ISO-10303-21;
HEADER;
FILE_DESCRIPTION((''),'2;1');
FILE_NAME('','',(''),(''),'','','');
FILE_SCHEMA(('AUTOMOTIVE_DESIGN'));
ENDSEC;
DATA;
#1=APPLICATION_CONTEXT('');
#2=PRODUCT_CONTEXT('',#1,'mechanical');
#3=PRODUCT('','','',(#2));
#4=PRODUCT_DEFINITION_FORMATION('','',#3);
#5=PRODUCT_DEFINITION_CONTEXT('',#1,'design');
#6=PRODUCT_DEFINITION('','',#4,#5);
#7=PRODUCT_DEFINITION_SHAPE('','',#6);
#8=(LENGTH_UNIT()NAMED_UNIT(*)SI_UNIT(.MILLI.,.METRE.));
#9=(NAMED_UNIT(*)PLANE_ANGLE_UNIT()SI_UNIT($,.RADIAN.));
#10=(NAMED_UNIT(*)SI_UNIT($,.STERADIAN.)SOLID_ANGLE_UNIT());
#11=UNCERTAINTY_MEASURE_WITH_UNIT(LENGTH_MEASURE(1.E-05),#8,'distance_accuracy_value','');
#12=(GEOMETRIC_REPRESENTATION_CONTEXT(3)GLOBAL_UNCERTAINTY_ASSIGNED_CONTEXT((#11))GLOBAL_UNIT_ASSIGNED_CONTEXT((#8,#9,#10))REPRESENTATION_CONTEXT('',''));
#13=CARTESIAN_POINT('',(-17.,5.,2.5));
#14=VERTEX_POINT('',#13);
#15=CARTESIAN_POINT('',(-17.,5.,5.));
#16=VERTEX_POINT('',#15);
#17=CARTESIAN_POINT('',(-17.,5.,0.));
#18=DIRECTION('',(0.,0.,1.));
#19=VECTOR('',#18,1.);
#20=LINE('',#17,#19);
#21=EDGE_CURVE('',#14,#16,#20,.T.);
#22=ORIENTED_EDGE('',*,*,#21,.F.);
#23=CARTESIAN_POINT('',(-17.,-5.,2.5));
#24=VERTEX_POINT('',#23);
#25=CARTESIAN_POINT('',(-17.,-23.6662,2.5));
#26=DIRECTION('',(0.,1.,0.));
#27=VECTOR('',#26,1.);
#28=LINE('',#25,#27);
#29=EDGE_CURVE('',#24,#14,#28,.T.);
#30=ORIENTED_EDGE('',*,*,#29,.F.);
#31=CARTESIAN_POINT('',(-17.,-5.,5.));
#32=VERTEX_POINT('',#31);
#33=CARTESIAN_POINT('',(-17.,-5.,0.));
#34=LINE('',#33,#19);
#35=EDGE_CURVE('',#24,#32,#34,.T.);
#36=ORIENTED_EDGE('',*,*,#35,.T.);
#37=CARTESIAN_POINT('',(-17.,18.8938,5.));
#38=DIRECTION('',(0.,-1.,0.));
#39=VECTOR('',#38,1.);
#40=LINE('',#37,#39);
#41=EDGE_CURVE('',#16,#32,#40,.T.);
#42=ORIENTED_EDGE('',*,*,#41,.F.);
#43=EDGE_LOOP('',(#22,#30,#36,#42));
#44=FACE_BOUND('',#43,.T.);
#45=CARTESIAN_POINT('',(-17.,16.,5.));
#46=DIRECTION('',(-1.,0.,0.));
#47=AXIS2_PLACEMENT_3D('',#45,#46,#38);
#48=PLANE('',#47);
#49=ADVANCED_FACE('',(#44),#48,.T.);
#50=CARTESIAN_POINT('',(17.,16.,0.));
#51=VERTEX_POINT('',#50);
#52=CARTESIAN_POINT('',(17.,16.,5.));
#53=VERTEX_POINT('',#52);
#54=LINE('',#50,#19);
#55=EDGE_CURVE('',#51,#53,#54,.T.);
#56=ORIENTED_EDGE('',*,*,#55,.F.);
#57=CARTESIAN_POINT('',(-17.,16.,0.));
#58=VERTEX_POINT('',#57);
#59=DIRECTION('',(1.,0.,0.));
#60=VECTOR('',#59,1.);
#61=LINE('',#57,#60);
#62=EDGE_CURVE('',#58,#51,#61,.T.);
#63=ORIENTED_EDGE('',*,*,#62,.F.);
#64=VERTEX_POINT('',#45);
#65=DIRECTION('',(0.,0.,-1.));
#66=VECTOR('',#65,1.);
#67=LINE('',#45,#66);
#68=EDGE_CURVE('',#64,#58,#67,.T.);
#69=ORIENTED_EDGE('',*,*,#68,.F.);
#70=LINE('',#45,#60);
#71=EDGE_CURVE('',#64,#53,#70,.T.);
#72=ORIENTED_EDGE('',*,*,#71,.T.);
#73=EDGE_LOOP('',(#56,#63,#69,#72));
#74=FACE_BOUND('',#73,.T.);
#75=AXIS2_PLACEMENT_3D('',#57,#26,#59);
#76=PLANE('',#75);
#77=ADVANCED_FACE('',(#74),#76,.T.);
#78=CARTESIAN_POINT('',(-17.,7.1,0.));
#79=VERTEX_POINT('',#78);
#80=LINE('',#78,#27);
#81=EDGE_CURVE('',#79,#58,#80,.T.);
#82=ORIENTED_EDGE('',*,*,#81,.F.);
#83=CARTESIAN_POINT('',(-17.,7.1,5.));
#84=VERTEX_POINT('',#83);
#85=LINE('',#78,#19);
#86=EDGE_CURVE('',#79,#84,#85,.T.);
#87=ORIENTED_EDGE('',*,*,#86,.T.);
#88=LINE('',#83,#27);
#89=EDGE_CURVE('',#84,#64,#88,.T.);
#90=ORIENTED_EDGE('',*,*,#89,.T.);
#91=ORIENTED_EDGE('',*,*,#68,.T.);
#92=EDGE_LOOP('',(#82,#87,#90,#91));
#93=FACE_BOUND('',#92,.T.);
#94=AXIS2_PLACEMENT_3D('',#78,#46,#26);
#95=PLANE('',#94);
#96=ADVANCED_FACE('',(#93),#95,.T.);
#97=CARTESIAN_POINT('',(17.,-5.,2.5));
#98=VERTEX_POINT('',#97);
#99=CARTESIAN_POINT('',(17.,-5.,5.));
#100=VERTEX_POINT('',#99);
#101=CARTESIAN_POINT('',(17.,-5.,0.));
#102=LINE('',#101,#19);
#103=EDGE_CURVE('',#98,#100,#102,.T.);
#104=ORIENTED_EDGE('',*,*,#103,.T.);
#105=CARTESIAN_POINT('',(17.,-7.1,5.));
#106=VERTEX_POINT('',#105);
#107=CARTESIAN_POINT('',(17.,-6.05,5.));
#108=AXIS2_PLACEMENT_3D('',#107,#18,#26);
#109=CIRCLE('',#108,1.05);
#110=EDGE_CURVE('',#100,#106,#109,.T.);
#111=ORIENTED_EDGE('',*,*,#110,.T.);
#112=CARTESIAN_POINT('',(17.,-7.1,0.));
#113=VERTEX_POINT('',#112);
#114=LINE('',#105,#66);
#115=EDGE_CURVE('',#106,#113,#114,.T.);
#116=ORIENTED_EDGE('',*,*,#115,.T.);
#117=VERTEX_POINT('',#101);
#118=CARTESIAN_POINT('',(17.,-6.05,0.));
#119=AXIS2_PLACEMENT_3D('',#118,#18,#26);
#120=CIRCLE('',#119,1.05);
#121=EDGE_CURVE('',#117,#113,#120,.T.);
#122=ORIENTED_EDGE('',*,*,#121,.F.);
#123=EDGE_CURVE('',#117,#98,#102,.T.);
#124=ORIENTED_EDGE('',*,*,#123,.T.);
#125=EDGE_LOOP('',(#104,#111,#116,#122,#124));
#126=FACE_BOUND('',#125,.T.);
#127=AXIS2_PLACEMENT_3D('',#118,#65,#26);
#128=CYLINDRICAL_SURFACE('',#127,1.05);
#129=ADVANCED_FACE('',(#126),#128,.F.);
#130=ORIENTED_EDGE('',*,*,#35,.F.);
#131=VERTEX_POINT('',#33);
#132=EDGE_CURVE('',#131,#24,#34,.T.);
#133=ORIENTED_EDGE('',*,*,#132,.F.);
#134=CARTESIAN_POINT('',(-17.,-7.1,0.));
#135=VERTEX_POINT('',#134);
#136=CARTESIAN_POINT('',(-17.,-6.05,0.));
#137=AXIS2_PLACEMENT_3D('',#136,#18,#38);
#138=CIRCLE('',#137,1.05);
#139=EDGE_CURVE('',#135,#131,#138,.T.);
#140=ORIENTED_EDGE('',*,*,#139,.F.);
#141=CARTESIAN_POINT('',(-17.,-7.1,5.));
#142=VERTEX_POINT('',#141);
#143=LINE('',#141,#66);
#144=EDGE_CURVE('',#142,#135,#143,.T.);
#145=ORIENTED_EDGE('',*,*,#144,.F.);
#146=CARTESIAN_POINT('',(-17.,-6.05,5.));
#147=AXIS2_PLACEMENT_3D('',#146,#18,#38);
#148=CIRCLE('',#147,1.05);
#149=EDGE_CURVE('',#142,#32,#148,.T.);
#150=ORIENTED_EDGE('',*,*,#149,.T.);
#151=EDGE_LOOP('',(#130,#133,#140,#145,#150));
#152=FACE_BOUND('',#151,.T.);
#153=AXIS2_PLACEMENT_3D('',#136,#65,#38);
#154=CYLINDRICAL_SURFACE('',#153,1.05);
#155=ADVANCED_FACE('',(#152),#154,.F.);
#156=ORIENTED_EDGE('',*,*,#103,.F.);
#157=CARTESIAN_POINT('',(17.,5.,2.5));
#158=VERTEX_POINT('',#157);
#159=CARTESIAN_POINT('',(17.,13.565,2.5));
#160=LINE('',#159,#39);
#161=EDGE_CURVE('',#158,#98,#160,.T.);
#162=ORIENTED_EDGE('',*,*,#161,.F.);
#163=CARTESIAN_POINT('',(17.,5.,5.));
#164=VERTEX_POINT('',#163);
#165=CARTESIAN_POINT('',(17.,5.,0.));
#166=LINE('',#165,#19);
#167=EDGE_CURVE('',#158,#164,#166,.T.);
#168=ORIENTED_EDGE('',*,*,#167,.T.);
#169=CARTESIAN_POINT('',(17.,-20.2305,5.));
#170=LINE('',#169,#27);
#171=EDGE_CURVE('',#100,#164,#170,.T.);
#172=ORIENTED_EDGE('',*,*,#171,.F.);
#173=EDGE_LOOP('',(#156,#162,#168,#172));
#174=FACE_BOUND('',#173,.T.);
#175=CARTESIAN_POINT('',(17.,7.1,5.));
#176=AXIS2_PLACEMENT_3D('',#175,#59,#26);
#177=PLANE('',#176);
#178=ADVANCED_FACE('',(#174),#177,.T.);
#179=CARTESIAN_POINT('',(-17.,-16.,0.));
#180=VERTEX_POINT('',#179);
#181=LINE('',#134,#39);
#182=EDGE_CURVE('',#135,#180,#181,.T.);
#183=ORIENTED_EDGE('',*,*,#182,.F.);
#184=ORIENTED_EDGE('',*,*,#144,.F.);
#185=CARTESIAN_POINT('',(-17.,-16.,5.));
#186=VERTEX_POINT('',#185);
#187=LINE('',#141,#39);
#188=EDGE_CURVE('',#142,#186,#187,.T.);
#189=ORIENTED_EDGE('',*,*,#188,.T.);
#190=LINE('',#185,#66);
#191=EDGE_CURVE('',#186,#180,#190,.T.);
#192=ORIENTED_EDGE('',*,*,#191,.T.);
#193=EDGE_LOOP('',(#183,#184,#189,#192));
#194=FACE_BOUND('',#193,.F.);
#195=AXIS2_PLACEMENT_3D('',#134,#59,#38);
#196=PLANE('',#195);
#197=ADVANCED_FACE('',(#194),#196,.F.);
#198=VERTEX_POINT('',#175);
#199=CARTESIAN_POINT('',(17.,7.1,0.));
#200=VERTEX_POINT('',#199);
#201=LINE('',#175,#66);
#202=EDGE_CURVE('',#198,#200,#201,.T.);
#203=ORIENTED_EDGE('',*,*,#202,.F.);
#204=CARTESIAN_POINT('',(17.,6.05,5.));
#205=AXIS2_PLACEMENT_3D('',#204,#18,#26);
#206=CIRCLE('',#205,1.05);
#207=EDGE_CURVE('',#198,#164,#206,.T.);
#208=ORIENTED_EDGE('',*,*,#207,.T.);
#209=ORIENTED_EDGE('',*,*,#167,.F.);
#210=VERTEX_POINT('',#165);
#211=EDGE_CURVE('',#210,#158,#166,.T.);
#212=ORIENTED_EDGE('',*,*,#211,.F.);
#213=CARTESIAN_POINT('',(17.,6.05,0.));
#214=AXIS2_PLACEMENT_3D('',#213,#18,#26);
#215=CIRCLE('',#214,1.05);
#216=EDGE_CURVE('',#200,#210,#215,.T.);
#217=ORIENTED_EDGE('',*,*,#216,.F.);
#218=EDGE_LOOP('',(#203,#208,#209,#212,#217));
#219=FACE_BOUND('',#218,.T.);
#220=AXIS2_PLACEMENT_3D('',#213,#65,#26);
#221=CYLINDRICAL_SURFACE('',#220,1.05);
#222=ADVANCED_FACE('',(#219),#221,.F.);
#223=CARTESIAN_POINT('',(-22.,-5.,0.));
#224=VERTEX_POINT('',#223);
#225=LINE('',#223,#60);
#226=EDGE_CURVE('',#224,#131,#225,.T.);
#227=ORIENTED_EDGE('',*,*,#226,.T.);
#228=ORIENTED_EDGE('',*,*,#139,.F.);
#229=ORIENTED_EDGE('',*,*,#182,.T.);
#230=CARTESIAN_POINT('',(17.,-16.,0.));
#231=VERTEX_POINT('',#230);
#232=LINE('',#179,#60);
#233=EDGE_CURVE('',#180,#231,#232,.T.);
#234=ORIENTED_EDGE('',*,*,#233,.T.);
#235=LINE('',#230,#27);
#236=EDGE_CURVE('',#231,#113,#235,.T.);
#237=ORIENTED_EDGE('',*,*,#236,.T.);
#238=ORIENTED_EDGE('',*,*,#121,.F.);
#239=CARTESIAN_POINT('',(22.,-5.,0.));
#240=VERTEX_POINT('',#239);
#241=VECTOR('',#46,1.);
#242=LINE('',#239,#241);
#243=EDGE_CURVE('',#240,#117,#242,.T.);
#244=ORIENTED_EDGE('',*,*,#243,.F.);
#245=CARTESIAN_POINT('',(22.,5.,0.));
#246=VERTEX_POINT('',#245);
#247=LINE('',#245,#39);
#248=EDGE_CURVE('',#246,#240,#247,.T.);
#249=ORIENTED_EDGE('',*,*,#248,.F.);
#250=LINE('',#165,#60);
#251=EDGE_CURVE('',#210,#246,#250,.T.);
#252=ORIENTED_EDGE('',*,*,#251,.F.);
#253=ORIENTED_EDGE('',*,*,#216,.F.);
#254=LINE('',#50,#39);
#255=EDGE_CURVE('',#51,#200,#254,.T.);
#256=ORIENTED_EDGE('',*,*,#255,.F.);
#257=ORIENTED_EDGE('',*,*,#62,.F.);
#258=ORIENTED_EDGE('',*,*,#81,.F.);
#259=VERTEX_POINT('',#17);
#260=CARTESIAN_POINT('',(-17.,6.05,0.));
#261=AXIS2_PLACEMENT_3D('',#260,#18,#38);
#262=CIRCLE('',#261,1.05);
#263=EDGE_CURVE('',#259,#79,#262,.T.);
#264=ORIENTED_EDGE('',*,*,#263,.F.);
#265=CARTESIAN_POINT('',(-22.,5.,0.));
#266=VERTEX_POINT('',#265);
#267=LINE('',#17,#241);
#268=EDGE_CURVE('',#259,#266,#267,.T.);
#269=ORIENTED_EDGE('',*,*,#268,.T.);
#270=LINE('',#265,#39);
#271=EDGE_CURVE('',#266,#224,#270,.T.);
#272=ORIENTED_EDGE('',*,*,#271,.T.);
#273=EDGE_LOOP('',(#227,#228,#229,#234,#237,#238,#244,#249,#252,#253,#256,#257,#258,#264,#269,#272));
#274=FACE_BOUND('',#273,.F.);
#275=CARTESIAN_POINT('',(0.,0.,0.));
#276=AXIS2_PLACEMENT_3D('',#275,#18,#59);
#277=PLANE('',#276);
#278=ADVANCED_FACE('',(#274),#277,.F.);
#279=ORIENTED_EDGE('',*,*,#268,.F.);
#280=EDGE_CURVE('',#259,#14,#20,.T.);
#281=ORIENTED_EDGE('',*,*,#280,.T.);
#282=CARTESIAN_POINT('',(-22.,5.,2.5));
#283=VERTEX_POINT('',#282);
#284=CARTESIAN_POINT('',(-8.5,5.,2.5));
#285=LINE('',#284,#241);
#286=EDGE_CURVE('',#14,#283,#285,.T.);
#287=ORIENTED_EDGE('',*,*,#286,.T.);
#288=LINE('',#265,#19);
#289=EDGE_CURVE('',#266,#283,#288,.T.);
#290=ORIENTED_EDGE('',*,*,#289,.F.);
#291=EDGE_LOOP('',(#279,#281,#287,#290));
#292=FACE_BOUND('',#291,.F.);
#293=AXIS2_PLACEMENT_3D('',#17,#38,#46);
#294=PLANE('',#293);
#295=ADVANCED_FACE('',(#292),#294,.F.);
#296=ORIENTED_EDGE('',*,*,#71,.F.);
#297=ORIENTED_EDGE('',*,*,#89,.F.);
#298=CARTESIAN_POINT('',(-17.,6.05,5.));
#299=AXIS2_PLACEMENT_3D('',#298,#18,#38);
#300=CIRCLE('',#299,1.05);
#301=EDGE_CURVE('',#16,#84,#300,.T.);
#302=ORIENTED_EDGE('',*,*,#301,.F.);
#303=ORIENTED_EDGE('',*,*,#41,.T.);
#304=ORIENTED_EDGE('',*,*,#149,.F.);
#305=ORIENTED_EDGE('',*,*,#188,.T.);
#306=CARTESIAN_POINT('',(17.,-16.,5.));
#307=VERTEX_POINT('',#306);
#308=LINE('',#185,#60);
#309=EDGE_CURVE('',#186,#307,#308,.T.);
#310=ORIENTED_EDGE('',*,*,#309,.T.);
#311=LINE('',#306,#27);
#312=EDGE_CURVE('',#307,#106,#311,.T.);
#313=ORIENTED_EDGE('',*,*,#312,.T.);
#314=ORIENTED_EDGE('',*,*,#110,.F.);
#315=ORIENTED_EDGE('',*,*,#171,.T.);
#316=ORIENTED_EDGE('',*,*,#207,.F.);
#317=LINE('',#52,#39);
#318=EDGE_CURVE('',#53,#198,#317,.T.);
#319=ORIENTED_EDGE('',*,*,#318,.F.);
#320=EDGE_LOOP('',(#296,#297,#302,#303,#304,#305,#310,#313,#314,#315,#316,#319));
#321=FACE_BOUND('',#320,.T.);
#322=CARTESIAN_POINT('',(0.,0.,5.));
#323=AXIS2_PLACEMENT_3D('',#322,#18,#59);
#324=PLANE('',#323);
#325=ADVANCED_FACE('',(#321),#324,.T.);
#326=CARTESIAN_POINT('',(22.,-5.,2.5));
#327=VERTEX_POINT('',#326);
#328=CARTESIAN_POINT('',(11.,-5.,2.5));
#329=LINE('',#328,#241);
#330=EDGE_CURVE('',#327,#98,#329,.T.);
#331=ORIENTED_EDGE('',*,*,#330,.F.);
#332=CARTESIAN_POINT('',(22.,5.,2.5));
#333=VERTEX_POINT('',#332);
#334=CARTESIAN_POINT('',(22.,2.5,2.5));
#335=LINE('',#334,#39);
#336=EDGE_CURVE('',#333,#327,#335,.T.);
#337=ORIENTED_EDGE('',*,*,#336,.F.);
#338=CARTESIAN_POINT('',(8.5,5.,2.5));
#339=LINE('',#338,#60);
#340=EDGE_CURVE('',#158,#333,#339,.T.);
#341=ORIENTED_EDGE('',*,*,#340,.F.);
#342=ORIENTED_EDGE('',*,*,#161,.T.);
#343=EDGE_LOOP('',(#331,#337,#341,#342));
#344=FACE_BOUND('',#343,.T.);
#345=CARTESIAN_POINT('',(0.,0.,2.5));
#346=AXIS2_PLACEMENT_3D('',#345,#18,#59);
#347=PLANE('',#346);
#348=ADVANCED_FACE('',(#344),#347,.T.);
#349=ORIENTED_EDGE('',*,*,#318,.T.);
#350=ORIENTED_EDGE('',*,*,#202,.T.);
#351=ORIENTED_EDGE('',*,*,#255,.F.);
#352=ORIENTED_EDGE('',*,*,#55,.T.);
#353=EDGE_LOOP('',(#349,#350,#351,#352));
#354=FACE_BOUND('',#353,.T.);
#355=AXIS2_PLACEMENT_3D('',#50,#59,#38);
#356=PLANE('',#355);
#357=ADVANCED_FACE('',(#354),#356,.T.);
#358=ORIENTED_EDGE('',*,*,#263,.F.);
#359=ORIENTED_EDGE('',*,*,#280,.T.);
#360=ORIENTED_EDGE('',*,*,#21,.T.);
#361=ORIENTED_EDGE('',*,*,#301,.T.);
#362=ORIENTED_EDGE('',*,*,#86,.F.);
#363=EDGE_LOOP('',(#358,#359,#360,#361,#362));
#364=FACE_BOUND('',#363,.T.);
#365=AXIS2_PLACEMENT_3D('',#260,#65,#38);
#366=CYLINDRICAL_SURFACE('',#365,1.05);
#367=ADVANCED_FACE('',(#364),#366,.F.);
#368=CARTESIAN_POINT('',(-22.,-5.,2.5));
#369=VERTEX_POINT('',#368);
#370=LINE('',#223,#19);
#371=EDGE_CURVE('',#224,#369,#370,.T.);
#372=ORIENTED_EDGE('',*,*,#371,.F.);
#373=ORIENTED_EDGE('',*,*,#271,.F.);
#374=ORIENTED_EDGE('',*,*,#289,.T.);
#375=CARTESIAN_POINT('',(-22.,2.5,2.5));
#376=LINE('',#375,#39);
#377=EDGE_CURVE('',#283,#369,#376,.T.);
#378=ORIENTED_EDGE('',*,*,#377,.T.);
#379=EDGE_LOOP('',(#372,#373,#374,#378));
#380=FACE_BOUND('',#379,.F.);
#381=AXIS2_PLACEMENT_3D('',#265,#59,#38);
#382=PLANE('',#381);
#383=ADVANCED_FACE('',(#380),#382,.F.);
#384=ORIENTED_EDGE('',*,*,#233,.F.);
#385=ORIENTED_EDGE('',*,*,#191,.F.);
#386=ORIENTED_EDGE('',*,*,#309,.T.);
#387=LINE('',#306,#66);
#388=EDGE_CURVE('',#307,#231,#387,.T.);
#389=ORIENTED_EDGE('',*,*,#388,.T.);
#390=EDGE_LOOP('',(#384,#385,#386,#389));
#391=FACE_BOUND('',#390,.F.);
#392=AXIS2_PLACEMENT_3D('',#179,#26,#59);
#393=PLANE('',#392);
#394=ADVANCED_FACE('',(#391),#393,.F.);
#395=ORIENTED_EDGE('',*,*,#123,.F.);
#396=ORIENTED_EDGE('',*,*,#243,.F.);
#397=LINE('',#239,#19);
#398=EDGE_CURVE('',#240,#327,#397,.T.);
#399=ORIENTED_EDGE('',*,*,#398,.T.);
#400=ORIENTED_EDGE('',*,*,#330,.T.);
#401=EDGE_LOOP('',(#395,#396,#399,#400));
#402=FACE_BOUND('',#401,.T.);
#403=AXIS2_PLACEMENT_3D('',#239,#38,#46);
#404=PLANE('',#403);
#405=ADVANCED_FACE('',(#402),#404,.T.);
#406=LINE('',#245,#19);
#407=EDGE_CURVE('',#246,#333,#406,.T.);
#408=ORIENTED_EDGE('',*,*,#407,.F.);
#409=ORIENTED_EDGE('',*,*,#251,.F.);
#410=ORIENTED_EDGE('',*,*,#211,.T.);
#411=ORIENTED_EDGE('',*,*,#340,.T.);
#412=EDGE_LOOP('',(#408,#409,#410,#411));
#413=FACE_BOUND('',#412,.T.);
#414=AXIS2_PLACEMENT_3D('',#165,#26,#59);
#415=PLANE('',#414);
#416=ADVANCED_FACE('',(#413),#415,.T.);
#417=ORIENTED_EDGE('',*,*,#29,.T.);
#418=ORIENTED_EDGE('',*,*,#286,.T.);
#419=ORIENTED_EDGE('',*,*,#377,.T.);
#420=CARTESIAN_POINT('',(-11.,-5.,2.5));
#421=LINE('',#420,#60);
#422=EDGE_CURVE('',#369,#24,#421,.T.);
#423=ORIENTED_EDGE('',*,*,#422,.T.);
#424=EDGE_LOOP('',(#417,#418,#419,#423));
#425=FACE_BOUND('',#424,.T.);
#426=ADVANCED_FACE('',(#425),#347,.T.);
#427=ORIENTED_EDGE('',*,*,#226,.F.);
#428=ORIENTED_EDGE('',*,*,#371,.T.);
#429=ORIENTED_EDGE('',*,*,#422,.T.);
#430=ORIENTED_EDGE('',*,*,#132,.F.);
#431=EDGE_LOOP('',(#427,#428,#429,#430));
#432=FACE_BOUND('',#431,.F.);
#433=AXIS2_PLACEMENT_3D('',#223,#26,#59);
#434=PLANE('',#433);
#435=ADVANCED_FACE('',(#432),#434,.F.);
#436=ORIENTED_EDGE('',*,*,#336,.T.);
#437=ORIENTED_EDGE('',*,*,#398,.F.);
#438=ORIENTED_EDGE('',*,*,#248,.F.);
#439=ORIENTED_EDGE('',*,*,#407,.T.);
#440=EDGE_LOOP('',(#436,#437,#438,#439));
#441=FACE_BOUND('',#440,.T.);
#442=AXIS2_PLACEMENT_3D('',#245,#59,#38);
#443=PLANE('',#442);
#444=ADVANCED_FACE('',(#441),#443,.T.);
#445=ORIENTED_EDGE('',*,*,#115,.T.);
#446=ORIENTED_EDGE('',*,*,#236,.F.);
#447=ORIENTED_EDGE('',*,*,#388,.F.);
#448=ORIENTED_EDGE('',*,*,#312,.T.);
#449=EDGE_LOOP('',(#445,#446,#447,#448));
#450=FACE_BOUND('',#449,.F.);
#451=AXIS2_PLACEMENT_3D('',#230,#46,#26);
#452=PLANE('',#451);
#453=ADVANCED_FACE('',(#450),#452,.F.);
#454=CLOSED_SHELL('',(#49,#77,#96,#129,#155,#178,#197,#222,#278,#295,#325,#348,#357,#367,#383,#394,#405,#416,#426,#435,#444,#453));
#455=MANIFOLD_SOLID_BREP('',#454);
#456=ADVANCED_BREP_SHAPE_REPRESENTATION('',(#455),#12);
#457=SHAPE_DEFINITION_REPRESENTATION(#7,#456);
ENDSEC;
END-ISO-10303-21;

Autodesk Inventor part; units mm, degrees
ref_plane "YZ Plane" through (0, 0, 0) normal (1, 0, 0) x (0, 1, 0)
ref_plane "XZ Plane" through (0, 0, 0) normal (0, 1, 0) x (-1, 0, 0)
ref_plane "XY Plane" through (0, 0, 0) normal (0, 0, 1) x (1, 0, 0)
sketch "スケッチ1" plane through (0, 0, 0) normal (0, 0, 1) x (1, 0, 0)
  line L0 (-17, -16) -> (17, -16) construction
  line L1 (17, -16) -> (17, 16) construction
  line L2 (17, 16) -> (-17, 16) construction
  line L3 (-17, 16) -> (-17, -16) construction
  line L4 (-17, -16) -> (17, 16) construction
  line L5 (17, -16) -> (-17, 16) construction
  line L6 (-17, 7.1) -> (-17, 16)
  line L7 (-17, 16) -> (17, 16)
  line L8 (17, 16) -> (17, 7.1)
  line L9 (-17, 5) -> (-22, 5)
  line L10 (-22, 5) -> (-22, -5)
  line L11 (-22, -5) -> (-17, -5)
  line L12 (17, 5) -> (22, 5)
  line L13 (22, 5) -> (22, -5)
  line L14 (22, -5) -> (17, -5)
  line L15 (-17, -7.1) -> (-17, -16)
  line L16 (-17, -16) -> (17, -16)
  line L17 (17, -16) -> (17, -7.1)
  arc A0 (-17, 5) -> (-17, 7.1) centre (-17, 6.05) ccw
  arc A1 (-17, -7.1) -> (-17, -5) centre (-17, -6.05) ccw
  arc A2 (17, 7.1) -> (17, 5) centre (17, 6.05) ccw
  arc A3 (17, -5) -> (17, -7.1) centre (17, -6.05) ccw
  line L18 (0, 0) -> (-17, 0) construction
  line L19 (0, 0) -> (0, 16) construction
  dimension "d87" = 32
  dimension "d88" = 1.05
  dimension "d89" = 5
  dimension "d90" = 11
  dimension "d91" = 34
extrude "押し出し1" add sketch "スケッチ1" along normal blind 5
sketch "スケッチ2" plane through (0, 0, 5) normal (0, 0, 1) x (1, 0, 0)
  line L0 (-17, 16) -> (-17, 7.1) projected
  line L1 (17, 7.1) -> (17, 16) projected
  line L2 (-28.2886, 18.8938) -> (-17, 18.8938)
  line L3 (-17, 18.8938) -> (-17, -23.6662)
  line L4 (-17, -23.6662) -> (-28.2886, -23.6662)
  line L5 (-28.2886, -23.6662) -> (-28.2886, 18.8938)
  line L6 (17, 13.565) -> (34.37, 13.565)
  line L7 (34.37, 13.565) -> (34.37, -20.2305)
  line L8 (34.37, -20.2305) -> (17, -20.2305)
  line L9 (17, -20.2305) -> (17, 13.565)
  point P0 (0, 0)
extrude "押し出し2" cut sketch "スケッチ2" against normal blind 2.5
equation "\"d87\" = d3"
equation "\"d90\" = d77 + d82"
equation "\"d3\" = 32"
equation "\"d77\" = 4"
equation "\"d82\" = 7"
properties part number "コックピット_2_サブフレーム_6" material "アセタール樹脂、黒"
